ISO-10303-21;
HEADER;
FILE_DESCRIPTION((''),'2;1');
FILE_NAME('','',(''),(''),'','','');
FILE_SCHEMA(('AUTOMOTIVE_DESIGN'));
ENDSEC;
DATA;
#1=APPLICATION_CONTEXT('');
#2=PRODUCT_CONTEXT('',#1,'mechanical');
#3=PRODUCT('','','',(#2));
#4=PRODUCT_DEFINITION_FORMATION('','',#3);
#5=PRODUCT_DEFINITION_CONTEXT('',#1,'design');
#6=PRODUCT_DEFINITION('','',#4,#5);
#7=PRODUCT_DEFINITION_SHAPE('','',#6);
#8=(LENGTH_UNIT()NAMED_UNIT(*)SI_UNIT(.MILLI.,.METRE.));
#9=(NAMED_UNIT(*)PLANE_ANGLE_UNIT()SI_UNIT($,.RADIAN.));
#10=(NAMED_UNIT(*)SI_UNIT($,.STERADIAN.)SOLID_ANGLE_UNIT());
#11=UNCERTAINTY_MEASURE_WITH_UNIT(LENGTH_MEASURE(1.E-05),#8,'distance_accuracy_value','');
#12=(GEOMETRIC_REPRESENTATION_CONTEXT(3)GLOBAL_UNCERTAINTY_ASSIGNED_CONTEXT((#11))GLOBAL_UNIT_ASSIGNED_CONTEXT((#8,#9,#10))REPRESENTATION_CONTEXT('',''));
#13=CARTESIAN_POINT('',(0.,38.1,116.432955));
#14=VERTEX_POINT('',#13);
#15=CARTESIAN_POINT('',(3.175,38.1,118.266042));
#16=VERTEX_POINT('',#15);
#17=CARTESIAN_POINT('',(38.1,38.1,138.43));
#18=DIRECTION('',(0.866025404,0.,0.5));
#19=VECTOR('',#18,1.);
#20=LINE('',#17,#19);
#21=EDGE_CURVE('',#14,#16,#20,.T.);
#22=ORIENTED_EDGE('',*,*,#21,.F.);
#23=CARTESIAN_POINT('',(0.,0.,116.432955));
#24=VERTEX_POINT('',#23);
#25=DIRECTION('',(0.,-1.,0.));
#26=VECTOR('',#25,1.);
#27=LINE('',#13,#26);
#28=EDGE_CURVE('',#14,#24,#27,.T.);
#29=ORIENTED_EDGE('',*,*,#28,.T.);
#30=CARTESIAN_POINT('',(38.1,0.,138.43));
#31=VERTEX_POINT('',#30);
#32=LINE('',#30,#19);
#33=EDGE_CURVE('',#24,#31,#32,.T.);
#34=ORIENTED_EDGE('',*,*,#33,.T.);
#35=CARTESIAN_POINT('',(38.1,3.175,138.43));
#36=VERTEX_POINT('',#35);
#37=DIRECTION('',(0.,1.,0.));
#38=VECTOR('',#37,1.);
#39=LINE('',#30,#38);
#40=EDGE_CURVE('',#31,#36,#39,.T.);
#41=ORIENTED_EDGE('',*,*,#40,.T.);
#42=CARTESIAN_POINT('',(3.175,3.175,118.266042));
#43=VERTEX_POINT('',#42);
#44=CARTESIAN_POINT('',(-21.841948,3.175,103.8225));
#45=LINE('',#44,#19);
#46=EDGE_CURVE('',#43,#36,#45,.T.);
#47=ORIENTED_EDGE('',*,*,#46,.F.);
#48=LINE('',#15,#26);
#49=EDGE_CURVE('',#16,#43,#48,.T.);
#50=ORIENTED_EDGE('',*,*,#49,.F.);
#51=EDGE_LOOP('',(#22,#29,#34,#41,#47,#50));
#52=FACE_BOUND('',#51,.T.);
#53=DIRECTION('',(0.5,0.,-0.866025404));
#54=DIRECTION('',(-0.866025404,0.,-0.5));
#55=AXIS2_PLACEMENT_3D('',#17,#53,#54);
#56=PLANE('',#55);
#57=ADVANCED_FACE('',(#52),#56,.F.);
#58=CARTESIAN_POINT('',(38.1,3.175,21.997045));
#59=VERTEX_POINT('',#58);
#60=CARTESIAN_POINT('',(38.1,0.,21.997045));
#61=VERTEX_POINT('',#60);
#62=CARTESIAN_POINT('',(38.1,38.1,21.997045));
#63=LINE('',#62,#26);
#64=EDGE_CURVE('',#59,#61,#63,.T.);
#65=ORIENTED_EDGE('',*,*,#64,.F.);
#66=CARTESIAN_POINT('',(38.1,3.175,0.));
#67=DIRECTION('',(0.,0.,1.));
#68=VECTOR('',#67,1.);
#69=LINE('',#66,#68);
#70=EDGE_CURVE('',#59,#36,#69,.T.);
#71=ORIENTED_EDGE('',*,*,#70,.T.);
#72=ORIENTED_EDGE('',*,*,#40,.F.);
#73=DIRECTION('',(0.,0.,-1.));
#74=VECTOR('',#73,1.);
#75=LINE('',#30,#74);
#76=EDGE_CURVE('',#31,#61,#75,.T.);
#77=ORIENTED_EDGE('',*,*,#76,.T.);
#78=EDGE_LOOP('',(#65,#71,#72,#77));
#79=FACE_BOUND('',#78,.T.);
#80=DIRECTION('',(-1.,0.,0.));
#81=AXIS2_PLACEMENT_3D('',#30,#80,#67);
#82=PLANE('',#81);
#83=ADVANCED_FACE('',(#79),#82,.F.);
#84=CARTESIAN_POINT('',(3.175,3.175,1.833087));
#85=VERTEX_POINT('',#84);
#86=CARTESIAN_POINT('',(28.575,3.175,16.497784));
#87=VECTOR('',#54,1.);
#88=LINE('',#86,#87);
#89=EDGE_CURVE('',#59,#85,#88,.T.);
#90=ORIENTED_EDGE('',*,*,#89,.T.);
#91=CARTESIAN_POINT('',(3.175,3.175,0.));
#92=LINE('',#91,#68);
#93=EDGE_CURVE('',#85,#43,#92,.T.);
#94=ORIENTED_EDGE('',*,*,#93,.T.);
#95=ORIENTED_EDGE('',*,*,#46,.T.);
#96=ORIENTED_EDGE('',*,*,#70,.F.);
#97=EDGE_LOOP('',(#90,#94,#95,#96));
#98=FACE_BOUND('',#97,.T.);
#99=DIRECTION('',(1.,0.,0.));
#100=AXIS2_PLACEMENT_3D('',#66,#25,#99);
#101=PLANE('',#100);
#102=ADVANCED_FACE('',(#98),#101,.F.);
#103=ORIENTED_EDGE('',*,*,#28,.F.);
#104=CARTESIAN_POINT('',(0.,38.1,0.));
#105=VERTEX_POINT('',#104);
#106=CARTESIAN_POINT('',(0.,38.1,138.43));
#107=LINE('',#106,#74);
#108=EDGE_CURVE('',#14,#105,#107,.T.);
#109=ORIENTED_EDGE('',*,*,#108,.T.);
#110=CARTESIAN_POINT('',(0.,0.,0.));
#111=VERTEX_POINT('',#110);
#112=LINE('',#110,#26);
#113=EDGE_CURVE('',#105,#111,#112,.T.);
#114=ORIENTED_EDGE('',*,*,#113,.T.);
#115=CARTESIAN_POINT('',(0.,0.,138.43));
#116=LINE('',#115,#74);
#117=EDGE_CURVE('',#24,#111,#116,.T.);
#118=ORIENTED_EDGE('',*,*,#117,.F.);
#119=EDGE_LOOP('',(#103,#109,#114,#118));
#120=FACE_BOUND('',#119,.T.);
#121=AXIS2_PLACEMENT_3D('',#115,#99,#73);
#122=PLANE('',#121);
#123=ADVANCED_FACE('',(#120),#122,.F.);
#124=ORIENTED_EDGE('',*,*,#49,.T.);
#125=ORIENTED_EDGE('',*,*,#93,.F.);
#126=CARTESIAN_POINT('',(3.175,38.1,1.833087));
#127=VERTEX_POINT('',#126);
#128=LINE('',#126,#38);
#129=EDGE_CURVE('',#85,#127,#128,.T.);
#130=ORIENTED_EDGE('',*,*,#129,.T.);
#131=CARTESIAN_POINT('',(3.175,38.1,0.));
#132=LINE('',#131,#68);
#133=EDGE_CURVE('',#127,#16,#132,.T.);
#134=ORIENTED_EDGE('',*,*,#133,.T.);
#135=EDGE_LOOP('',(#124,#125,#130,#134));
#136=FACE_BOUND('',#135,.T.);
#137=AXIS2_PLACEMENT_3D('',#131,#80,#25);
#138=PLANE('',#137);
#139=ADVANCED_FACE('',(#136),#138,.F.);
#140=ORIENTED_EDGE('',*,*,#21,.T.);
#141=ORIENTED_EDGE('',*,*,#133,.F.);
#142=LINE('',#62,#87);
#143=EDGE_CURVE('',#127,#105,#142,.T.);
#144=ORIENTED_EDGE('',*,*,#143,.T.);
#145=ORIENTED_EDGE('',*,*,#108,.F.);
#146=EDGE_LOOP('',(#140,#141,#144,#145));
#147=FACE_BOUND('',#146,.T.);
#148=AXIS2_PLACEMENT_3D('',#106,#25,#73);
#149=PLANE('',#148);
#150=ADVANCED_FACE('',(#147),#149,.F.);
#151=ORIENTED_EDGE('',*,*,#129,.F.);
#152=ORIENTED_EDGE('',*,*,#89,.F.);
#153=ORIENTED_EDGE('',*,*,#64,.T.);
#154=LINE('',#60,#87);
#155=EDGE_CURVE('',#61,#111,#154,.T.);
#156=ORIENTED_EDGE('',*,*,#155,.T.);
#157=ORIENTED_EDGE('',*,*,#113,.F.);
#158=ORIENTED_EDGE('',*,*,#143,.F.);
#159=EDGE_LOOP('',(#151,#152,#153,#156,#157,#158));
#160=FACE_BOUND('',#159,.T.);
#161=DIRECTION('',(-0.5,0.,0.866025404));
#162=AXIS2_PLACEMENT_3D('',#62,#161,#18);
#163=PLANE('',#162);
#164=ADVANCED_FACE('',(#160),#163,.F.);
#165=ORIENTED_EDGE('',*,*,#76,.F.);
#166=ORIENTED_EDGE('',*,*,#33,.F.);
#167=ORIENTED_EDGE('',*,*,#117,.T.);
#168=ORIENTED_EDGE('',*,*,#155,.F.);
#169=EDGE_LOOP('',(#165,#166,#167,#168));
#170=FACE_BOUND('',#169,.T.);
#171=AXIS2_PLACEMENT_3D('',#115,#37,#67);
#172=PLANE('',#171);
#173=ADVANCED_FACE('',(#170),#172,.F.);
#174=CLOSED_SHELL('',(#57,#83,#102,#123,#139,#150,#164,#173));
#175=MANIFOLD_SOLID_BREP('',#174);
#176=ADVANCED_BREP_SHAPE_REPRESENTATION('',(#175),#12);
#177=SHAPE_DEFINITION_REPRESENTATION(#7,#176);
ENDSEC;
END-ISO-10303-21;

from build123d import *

# Parameters (mm, degrees)
SKETCH1_W           = 38.1
SKETCH1_H           = 38.1
BOSS_EXTRUDE1_DEPTH = 138.43
SKETCH2_W           = 34.925
SKETCH2_H           = 34.925
CUT_EXTRUDE1_DEPTH  = 139.43
CUT_EXTRUDE2_DEPTH  = 38.1


with BuildPart() as part:
    # Sketch1 → Boss-Extrude1 (new body)
    with BuildSketch(Plane.XY):
        with Locations((19.05, 19.05)):
            Rectangle(SKETCH1_W, SKETCH1_H)
    extrude(amount=BOSS_EXTRUDE1_DEPTH)

    # Sketch2 → Cut-Extrude1 (cut, through all)
    with BuildSketch(Plane.XY.offset(138.43)):
        with Locations((20.6375, 20.6375)):
            Rectangle(SKETCH2_W, SKETCH2_H)
    extrude(amount=-CUT_EXTRUDE1_DEPTH, mode=Mode.SUBTRACT)

    # Sketch3 → Cut-Extrude2 (cut)
    with BuildSketch(Plane(origin=(0, 0, 0), x_dir=(-1, 0, 0), z_dir=(0, -1, 0))):
        Polygon((0, 0), (-38.1, 0), (-38.1, -21.997045256), align=None)
        Polygon((0, -138.43), (-38.1, -138.43), (0, -116.432954744), align=None)
    extrude(amount=-CUT_EXTRUDE2_DEPTH, mode=Mode.SUBTRACT)


solid = part.part
